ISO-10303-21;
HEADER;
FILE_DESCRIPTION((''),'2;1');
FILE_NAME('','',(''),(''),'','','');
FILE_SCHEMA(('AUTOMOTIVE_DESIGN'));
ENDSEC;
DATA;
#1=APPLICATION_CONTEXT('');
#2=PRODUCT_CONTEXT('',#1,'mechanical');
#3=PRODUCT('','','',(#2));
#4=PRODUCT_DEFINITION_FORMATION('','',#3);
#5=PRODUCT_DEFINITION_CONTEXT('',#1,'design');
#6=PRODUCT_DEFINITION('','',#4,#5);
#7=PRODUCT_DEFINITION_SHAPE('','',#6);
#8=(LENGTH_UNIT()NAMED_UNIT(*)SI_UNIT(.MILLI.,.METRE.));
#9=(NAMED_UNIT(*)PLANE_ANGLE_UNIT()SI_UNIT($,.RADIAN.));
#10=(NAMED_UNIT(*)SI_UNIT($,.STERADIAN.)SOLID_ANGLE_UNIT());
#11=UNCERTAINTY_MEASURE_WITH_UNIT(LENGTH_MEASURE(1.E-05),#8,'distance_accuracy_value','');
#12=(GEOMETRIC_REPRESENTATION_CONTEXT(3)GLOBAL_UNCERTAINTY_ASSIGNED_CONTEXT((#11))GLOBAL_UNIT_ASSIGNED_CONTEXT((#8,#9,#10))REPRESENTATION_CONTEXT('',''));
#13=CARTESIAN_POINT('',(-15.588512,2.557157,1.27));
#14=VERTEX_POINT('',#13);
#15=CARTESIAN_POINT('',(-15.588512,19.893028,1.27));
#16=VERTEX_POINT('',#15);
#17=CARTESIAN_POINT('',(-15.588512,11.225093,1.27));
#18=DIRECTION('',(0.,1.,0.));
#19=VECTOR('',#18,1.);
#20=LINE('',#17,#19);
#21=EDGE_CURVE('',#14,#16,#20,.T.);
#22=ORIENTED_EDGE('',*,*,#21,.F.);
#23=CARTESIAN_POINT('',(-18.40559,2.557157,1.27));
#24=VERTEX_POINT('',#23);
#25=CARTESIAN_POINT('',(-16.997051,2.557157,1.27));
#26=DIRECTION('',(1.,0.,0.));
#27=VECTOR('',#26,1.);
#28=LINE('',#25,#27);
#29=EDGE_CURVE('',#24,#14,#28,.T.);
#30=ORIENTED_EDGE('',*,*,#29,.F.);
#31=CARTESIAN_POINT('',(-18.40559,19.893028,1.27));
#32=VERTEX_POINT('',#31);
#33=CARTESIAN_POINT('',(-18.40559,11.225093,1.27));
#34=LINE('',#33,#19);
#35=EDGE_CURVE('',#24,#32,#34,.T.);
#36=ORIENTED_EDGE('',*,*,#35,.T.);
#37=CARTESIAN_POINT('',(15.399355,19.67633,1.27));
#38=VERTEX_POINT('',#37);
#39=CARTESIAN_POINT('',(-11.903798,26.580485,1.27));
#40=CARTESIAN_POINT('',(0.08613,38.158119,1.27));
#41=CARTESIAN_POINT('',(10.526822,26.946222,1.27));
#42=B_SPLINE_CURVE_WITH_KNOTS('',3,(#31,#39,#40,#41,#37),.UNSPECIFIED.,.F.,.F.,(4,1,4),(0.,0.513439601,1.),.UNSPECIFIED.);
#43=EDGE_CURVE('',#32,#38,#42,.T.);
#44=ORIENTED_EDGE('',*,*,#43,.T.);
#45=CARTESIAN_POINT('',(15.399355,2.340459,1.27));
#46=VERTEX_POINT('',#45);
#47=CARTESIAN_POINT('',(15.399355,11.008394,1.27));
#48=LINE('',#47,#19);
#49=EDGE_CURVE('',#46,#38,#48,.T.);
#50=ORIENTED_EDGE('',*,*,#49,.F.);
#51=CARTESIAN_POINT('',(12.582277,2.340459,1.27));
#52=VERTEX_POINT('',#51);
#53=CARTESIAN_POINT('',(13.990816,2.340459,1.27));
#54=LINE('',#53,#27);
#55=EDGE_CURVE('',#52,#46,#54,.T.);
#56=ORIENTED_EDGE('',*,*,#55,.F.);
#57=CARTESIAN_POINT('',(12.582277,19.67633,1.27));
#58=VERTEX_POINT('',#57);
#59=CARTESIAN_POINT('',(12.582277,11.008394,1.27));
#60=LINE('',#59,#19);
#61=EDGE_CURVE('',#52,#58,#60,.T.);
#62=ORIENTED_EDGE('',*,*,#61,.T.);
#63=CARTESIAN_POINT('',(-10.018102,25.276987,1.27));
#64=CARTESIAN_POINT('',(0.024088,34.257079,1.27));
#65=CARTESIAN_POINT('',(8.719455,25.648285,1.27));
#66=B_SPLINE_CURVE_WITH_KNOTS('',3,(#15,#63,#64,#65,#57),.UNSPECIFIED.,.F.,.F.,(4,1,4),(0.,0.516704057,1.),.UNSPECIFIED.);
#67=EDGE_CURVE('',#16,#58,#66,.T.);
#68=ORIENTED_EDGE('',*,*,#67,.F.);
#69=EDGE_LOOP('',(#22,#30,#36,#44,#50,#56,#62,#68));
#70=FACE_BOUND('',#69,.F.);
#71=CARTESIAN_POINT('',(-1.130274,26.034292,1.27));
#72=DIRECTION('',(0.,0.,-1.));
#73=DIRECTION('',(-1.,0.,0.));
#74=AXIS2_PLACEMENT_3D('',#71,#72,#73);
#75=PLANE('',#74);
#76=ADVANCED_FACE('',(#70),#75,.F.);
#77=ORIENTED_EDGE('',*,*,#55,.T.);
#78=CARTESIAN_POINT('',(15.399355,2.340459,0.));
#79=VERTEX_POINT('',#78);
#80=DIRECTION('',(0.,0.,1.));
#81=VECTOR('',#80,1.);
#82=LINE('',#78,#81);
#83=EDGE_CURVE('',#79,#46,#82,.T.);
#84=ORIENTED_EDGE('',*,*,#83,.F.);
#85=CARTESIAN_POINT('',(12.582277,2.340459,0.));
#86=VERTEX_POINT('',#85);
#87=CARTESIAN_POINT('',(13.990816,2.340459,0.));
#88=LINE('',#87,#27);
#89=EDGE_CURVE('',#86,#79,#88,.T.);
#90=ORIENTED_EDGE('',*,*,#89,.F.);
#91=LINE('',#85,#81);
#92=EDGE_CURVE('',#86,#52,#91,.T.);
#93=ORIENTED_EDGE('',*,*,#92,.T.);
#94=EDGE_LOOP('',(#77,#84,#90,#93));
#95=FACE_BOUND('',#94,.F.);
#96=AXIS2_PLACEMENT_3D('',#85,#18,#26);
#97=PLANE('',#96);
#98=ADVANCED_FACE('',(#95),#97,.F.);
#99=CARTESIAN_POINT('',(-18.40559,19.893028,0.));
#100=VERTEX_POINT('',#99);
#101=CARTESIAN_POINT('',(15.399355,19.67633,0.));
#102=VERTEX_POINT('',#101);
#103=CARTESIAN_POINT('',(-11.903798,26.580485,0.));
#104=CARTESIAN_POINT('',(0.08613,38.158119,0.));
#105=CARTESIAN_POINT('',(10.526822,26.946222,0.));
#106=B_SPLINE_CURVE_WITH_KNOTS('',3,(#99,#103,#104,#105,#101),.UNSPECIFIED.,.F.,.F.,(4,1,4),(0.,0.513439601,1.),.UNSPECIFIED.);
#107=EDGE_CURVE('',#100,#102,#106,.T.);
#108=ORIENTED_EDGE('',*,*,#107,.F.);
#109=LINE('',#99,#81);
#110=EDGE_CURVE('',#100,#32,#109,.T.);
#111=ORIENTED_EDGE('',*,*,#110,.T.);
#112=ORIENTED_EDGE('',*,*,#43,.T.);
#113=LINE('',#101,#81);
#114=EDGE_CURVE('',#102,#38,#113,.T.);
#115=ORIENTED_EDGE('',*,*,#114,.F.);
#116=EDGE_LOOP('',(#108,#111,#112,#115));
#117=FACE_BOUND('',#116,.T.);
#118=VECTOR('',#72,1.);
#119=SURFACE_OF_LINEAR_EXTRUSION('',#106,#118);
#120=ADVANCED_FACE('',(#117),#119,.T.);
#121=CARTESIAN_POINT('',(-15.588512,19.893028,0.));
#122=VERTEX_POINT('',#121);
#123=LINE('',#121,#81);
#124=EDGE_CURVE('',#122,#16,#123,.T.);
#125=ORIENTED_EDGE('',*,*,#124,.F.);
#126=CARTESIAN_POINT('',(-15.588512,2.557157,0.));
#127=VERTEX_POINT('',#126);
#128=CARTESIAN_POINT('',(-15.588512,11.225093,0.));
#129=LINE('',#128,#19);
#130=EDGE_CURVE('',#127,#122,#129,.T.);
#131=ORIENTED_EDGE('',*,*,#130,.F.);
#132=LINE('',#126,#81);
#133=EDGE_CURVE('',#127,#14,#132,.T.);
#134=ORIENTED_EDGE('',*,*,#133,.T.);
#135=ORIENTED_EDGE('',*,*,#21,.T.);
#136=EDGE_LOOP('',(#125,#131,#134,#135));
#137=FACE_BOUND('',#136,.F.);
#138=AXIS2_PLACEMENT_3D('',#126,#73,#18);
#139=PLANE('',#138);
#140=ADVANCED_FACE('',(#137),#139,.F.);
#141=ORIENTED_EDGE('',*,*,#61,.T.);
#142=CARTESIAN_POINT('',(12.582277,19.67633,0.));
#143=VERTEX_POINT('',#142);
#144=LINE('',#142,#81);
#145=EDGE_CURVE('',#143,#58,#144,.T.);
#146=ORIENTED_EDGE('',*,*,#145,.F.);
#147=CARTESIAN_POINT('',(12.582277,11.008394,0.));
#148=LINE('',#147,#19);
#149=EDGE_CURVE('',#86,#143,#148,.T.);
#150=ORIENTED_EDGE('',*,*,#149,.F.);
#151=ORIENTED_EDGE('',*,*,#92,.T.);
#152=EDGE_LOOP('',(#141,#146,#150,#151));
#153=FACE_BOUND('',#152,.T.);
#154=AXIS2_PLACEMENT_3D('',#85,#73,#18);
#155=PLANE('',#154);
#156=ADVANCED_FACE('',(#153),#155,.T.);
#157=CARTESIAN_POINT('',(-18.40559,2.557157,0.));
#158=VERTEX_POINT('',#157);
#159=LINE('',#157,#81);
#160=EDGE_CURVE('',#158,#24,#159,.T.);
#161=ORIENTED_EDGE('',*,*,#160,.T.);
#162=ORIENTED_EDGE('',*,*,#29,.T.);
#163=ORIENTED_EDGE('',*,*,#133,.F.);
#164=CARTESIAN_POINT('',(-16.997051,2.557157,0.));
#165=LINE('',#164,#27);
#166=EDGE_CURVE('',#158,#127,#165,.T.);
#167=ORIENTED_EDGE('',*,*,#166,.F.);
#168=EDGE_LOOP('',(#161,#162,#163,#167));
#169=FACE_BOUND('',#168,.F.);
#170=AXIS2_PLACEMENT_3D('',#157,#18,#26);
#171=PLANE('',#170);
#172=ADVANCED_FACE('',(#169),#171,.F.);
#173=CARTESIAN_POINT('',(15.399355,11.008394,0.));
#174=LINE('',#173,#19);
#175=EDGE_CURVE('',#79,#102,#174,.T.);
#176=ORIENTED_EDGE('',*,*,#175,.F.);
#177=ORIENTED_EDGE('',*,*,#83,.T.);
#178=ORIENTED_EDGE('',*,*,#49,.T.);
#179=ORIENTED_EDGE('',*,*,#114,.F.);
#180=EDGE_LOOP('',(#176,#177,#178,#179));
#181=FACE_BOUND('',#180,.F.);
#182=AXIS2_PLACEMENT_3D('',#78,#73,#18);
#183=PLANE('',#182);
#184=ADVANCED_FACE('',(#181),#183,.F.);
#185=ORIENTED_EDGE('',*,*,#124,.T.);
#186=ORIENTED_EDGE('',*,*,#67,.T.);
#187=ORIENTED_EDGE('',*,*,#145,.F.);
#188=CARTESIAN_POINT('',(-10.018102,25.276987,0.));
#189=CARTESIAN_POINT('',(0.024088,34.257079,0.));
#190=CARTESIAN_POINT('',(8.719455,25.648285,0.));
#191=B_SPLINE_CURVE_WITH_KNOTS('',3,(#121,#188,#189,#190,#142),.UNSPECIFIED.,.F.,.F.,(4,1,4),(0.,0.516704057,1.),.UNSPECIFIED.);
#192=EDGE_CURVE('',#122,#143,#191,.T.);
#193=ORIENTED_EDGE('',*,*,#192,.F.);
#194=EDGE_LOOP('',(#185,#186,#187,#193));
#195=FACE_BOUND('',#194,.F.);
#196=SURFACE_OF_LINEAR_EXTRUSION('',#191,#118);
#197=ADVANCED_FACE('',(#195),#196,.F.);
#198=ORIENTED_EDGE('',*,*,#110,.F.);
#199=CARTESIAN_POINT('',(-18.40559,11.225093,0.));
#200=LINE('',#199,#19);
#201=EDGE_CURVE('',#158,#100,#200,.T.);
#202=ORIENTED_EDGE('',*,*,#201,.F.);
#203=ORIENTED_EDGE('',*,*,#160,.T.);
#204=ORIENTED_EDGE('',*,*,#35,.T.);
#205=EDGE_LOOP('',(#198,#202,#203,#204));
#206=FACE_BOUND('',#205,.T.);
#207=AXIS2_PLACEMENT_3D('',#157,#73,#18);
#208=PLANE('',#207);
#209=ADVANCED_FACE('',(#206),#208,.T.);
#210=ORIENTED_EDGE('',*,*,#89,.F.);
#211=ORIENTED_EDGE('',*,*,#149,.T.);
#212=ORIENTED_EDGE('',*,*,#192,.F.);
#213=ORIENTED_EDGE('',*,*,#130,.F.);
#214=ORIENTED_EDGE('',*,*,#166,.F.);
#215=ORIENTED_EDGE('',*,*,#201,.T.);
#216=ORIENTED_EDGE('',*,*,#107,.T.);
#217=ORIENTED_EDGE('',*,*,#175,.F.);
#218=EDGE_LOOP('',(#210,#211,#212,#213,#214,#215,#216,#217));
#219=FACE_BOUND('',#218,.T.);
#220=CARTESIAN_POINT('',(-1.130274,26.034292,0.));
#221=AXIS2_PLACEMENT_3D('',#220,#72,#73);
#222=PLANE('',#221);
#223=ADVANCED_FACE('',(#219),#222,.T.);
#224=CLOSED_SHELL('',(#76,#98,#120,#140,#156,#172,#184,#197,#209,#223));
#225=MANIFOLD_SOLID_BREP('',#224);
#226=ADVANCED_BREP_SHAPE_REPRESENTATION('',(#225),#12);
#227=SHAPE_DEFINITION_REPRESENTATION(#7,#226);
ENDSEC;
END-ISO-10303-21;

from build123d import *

# Parameters (mm, degrees)
F0_W     = 2.8170784935
F0_H     = 17.335870536
F1_DEPTH = 1.27


with BuildPart() as f1:
    # F0 (on Top) → F1 (new body)
    with BuildSketch(Plane.XY):
        with BuildLine():
            add(Edge.make_bspline(
                [(-18.4055902064, 19.893027842), (-11.9037980306, 26.5804845839), (0.0861304806, 38.1581188782), (10.5268220624, 26.9462221751), (15.3993554413, 19.676329568)],
                knots=[0, 0, 0, 0, 0.5134396008, 1, 1, 1, 1], degree=3))
            Line((-18.4055902064, 19.893027842), (-15.5885117128, 19.893027842))
            add(Edge.make_bspline(
                [(-15.5885117128, 19.893027842), (-10.0181021025, 25.2769867087), (0.0240884908, 34.2570794423), (8.7194553893, 25.6482853161), (12.5822769478, 19.676329568)],
                knots=[0, 0, 0, 0, 0.5167040571, 1, 1, 1, 1], degree=3))
            Line((12.5822769478, 19.676329568), (15.3993554413, 19.676329568))
        make_face()
        with Locations((-16.9970509596, 11.225092574)):
            Rectangle(F0_W, F0_H)
        with Locations((13.9908161946, 11.0083943)):
            Rectangle(F0_W, F0_H)
    extrude(amount=F1_DEPTH)


solid = f1.part
